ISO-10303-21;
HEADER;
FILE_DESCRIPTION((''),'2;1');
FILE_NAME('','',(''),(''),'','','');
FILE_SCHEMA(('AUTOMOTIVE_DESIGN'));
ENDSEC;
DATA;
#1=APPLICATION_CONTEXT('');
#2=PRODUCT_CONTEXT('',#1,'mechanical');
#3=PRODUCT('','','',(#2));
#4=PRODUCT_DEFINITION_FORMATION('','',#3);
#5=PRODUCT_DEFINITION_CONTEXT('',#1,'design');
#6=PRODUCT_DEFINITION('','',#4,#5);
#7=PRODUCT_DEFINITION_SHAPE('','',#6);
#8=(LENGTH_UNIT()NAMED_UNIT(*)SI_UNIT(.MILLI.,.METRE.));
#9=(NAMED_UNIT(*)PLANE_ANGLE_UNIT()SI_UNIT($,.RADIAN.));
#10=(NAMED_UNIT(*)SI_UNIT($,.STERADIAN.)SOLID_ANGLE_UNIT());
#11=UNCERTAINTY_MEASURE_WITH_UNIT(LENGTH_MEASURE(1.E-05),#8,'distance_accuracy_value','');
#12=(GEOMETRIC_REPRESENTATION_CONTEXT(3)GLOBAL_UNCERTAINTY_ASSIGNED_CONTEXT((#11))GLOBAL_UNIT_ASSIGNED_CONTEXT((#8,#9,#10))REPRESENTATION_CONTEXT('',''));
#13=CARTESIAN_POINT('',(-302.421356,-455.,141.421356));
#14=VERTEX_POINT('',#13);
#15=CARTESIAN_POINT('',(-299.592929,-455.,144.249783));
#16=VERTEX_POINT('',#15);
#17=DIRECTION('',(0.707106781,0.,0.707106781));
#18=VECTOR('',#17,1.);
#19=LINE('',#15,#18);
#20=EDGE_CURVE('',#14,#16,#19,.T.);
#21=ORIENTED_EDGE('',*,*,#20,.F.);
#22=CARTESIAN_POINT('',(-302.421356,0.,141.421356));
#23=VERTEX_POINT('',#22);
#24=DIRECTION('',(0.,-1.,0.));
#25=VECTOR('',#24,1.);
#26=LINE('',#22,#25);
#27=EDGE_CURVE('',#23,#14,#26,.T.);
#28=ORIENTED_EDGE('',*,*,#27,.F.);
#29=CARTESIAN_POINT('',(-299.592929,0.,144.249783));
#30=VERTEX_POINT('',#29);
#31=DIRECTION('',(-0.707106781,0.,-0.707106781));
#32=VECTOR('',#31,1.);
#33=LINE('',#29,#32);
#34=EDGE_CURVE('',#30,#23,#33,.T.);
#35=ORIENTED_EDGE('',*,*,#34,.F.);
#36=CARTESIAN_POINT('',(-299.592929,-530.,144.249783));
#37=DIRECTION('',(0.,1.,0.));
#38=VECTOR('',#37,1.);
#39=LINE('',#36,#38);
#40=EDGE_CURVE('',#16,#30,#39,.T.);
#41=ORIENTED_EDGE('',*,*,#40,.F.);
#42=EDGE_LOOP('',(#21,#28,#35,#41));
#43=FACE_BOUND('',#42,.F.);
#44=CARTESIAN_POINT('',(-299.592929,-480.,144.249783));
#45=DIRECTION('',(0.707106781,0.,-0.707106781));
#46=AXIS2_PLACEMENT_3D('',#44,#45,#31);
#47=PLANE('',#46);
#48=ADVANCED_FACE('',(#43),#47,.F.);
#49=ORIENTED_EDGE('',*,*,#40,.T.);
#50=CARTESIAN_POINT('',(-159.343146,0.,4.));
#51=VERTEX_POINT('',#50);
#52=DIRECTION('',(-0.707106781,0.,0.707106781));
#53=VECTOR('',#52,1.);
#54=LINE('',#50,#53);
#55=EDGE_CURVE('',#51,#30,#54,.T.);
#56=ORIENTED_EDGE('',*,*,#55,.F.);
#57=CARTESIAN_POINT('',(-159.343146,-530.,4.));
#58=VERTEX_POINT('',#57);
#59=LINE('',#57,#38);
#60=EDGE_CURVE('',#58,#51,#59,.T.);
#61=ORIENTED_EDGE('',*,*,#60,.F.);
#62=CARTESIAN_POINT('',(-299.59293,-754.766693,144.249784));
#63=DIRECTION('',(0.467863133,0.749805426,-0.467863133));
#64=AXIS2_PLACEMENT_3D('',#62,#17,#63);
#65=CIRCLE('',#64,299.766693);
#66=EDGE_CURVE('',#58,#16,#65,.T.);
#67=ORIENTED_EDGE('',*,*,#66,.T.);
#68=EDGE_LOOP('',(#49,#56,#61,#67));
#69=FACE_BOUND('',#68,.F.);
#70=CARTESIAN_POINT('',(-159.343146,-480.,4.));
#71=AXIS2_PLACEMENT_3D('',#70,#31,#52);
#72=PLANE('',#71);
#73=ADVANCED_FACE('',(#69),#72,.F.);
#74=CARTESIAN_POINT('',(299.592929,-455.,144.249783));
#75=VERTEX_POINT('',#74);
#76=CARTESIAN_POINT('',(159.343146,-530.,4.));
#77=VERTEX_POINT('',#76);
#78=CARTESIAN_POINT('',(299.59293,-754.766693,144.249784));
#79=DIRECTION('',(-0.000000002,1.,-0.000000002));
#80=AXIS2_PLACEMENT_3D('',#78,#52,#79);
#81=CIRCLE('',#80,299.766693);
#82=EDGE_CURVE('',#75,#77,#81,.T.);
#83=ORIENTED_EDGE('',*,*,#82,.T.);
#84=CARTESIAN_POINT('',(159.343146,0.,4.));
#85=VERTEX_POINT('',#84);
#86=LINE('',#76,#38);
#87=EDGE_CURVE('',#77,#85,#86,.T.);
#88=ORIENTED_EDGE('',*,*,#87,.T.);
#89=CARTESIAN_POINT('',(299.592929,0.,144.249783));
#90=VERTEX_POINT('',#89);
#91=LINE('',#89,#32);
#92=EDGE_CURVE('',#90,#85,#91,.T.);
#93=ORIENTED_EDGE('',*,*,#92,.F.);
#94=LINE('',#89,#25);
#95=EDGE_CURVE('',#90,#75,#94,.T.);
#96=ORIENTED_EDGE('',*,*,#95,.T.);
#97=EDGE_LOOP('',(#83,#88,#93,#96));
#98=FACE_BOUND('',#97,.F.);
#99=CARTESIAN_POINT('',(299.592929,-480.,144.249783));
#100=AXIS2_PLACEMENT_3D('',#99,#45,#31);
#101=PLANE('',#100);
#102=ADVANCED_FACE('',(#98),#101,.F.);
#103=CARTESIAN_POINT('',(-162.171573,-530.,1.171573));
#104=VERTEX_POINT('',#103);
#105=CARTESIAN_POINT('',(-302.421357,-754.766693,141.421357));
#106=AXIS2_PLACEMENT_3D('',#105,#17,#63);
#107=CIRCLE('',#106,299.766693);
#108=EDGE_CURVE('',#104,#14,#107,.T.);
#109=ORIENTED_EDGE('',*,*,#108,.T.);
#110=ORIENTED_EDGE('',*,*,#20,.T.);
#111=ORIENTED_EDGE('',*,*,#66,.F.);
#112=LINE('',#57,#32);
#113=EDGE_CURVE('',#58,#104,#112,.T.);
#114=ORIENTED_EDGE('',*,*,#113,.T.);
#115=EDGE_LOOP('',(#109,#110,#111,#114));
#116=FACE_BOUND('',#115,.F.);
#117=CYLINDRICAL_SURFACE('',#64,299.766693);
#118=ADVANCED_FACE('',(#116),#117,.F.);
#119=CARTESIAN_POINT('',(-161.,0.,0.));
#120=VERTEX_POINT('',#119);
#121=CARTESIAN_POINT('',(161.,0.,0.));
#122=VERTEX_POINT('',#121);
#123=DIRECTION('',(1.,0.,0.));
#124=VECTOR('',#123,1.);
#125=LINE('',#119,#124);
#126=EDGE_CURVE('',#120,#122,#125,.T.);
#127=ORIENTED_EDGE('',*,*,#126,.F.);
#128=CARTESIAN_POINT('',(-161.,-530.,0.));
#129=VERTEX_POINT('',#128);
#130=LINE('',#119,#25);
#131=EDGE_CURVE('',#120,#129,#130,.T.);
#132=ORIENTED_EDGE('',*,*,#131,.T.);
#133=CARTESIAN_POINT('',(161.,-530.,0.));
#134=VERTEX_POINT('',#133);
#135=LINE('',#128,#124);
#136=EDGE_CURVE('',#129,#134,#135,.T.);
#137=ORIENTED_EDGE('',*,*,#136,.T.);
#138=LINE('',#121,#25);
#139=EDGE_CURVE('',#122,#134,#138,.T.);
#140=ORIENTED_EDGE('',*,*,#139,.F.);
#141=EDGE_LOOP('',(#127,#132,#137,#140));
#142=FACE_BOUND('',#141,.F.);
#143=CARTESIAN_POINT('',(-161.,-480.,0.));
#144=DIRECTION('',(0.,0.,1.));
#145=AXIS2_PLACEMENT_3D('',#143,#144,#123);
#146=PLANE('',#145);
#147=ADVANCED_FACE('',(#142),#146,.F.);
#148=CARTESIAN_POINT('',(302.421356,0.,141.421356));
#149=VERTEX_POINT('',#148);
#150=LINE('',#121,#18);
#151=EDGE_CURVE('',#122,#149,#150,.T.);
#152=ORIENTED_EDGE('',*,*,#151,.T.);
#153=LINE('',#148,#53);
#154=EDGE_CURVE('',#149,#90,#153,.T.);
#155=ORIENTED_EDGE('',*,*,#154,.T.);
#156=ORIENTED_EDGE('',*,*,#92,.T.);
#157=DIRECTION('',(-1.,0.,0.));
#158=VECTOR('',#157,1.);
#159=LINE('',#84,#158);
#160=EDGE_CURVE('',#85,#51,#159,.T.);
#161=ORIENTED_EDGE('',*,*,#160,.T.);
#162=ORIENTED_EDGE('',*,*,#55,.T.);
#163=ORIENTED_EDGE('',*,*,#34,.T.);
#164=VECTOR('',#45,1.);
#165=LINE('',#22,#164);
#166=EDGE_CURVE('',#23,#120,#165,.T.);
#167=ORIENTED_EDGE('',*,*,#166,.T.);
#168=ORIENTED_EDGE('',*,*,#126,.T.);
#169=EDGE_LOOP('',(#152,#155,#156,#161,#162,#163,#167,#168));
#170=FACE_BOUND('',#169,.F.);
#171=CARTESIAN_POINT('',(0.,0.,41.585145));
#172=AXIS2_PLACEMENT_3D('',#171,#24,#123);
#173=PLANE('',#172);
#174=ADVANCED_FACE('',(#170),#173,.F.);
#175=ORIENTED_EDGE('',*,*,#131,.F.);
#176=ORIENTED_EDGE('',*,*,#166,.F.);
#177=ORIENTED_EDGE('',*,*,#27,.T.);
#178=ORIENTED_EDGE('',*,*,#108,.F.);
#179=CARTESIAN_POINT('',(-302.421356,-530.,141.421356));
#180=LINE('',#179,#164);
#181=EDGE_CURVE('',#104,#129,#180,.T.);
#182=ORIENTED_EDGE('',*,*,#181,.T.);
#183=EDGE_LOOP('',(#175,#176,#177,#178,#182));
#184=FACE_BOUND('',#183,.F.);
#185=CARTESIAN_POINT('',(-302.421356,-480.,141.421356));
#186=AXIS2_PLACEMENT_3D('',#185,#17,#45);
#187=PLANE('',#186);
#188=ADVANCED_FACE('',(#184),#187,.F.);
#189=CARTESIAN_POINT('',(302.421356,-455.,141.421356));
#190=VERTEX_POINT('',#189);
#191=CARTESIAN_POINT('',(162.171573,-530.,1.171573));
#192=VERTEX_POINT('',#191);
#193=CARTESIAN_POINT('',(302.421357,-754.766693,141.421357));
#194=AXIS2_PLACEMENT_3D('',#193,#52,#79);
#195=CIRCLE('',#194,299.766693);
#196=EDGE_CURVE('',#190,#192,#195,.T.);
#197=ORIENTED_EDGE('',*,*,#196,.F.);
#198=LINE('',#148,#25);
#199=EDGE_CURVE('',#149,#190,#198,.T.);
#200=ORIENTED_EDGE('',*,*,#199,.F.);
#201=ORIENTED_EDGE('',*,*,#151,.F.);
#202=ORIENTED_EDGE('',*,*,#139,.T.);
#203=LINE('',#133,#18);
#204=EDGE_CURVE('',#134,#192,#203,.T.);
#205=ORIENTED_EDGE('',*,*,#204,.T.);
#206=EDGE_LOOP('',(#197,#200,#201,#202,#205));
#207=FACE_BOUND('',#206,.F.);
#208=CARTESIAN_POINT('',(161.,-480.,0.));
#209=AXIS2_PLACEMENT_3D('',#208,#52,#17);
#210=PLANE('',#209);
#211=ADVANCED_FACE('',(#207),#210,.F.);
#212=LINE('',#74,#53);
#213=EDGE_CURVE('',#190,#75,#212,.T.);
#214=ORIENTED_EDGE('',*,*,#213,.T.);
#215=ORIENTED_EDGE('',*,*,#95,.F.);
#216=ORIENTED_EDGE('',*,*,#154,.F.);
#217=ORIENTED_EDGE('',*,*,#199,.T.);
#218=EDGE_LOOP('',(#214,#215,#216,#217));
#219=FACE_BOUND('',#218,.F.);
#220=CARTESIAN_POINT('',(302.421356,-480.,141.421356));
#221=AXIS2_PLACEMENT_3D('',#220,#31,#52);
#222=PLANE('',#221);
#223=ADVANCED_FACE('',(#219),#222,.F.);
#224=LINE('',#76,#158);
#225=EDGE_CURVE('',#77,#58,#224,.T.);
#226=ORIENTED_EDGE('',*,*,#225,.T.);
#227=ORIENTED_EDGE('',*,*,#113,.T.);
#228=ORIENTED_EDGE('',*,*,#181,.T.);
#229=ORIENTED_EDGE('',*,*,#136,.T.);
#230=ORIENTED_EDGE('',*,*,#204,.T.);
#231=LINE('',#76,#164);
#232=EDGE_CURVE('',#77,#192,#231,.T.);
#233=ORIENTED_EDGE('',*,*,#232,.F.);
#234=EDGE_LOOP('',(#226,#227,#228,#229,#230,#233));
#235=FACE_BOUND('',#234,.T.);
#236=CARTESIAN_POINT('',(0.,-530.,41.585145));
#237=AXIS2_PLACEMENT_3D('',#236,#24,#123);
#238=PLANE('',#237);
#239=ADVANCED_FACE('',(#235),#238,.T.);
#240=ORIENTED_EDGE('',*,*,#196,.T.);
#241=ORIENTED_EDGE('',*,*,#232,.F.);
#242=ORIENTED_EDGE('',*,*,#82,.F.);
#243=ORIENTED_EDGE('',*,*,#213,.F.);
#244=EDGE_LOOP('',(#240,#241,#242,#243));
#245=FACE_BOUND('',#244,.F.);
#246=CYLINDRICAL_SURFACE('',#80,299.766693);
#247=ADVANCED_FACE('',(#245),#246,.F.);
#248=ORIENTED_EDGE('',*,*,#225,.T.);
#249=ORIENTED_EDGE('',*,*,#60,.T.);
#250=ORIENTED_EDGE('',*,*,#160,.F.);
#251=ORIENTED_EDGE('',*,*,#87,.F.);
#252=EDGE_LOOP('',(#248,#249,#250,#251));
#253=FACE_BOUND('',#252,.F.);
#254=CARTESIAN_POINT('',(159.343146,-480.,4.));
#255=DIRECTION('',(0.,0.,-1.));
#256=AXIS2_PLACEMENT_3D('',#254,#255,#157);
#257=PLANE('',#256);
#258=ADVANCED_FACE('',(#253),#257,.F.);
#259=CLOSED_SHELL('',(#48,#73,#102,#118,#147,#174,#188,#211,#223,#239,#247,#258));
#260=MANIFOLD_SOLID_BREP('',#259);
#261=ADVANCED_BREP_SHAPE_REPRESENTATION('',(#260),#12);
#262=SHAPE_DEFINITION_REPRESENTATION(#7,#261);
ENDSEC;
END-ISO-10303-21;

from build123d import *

# Parameters (mm, degrees)
F1_DEPTH = 480
F3_DEPTH = 50
F5_DEPTH = 25
F7_DEPTH = 25


with BuildPart() as f1:
    # F0 (on Front) → F1 (new body)
    with BuildSketch(Plane.XZ):
        Polygon((-161, 0), (0, 0), (161, 0), (302.421356, 141.421356), (299.592929, 144.249783), (159.343146, 4), (0, 4), (-159.343146, 4), (-299.592929, 144.249783), (-302.421356, 141.421356), align=None)
    extrude(amount=F1_DEPTH)

    # F2 (on face) → F3 (join)
    with BuildSketch(Plane.XZ.offset(480)):
        Polygon((-299.592929, 144.249783), (-302.421356, 141.421356), (-161, 0), (161, 0), (302.421356, 141.421356), (299.592929, 144.249783), (159.343146, 4), (-159.343146, 4), align=None)
    extrude(amount=F3_DEPTH)

    # F4 (on face) → F5 (cut)
    with BuildSketch(Plane(origin=(-77.671573, 0, -77.671573), x_dir=(0, 1, 0), z_dir=(0.707107, 0, 0.707107))):
        with BuildLine():
            Line((-754.76669, 313.844192), (-530, 115.501046))
            ThreePointArc((-530, 115.501046), (-474.376217, 207.819426), (-455, 313.844192))
            Line((-455, 313.844192), (-754.76669, 313.844192))
        make_face()
    extrude(amount=-F5_DEPTH, mode=Mode.SUBTRACT)

    # F6 (on face) → F7 (cut)
    with BuildSketch(Plane(origin=(77.671573, 0, -77.671573), x_dir=(0, -1, 0), z_dir=(-0.707107, 0, 0.707107))):
        with BuildLine():
            Line((754.76669, 313.844192), (455, 313.844192))
            ThreePointArc((455, 313.844192), (474.376217, 207.819426), (530, 115.501046))
            Line((530, 115.501046), (754.76669, 313.844192))
        make_face()
    extrude(amount=-F7_DEPTH, mode=Mode.SUBTRACT)


solid = f1.part
